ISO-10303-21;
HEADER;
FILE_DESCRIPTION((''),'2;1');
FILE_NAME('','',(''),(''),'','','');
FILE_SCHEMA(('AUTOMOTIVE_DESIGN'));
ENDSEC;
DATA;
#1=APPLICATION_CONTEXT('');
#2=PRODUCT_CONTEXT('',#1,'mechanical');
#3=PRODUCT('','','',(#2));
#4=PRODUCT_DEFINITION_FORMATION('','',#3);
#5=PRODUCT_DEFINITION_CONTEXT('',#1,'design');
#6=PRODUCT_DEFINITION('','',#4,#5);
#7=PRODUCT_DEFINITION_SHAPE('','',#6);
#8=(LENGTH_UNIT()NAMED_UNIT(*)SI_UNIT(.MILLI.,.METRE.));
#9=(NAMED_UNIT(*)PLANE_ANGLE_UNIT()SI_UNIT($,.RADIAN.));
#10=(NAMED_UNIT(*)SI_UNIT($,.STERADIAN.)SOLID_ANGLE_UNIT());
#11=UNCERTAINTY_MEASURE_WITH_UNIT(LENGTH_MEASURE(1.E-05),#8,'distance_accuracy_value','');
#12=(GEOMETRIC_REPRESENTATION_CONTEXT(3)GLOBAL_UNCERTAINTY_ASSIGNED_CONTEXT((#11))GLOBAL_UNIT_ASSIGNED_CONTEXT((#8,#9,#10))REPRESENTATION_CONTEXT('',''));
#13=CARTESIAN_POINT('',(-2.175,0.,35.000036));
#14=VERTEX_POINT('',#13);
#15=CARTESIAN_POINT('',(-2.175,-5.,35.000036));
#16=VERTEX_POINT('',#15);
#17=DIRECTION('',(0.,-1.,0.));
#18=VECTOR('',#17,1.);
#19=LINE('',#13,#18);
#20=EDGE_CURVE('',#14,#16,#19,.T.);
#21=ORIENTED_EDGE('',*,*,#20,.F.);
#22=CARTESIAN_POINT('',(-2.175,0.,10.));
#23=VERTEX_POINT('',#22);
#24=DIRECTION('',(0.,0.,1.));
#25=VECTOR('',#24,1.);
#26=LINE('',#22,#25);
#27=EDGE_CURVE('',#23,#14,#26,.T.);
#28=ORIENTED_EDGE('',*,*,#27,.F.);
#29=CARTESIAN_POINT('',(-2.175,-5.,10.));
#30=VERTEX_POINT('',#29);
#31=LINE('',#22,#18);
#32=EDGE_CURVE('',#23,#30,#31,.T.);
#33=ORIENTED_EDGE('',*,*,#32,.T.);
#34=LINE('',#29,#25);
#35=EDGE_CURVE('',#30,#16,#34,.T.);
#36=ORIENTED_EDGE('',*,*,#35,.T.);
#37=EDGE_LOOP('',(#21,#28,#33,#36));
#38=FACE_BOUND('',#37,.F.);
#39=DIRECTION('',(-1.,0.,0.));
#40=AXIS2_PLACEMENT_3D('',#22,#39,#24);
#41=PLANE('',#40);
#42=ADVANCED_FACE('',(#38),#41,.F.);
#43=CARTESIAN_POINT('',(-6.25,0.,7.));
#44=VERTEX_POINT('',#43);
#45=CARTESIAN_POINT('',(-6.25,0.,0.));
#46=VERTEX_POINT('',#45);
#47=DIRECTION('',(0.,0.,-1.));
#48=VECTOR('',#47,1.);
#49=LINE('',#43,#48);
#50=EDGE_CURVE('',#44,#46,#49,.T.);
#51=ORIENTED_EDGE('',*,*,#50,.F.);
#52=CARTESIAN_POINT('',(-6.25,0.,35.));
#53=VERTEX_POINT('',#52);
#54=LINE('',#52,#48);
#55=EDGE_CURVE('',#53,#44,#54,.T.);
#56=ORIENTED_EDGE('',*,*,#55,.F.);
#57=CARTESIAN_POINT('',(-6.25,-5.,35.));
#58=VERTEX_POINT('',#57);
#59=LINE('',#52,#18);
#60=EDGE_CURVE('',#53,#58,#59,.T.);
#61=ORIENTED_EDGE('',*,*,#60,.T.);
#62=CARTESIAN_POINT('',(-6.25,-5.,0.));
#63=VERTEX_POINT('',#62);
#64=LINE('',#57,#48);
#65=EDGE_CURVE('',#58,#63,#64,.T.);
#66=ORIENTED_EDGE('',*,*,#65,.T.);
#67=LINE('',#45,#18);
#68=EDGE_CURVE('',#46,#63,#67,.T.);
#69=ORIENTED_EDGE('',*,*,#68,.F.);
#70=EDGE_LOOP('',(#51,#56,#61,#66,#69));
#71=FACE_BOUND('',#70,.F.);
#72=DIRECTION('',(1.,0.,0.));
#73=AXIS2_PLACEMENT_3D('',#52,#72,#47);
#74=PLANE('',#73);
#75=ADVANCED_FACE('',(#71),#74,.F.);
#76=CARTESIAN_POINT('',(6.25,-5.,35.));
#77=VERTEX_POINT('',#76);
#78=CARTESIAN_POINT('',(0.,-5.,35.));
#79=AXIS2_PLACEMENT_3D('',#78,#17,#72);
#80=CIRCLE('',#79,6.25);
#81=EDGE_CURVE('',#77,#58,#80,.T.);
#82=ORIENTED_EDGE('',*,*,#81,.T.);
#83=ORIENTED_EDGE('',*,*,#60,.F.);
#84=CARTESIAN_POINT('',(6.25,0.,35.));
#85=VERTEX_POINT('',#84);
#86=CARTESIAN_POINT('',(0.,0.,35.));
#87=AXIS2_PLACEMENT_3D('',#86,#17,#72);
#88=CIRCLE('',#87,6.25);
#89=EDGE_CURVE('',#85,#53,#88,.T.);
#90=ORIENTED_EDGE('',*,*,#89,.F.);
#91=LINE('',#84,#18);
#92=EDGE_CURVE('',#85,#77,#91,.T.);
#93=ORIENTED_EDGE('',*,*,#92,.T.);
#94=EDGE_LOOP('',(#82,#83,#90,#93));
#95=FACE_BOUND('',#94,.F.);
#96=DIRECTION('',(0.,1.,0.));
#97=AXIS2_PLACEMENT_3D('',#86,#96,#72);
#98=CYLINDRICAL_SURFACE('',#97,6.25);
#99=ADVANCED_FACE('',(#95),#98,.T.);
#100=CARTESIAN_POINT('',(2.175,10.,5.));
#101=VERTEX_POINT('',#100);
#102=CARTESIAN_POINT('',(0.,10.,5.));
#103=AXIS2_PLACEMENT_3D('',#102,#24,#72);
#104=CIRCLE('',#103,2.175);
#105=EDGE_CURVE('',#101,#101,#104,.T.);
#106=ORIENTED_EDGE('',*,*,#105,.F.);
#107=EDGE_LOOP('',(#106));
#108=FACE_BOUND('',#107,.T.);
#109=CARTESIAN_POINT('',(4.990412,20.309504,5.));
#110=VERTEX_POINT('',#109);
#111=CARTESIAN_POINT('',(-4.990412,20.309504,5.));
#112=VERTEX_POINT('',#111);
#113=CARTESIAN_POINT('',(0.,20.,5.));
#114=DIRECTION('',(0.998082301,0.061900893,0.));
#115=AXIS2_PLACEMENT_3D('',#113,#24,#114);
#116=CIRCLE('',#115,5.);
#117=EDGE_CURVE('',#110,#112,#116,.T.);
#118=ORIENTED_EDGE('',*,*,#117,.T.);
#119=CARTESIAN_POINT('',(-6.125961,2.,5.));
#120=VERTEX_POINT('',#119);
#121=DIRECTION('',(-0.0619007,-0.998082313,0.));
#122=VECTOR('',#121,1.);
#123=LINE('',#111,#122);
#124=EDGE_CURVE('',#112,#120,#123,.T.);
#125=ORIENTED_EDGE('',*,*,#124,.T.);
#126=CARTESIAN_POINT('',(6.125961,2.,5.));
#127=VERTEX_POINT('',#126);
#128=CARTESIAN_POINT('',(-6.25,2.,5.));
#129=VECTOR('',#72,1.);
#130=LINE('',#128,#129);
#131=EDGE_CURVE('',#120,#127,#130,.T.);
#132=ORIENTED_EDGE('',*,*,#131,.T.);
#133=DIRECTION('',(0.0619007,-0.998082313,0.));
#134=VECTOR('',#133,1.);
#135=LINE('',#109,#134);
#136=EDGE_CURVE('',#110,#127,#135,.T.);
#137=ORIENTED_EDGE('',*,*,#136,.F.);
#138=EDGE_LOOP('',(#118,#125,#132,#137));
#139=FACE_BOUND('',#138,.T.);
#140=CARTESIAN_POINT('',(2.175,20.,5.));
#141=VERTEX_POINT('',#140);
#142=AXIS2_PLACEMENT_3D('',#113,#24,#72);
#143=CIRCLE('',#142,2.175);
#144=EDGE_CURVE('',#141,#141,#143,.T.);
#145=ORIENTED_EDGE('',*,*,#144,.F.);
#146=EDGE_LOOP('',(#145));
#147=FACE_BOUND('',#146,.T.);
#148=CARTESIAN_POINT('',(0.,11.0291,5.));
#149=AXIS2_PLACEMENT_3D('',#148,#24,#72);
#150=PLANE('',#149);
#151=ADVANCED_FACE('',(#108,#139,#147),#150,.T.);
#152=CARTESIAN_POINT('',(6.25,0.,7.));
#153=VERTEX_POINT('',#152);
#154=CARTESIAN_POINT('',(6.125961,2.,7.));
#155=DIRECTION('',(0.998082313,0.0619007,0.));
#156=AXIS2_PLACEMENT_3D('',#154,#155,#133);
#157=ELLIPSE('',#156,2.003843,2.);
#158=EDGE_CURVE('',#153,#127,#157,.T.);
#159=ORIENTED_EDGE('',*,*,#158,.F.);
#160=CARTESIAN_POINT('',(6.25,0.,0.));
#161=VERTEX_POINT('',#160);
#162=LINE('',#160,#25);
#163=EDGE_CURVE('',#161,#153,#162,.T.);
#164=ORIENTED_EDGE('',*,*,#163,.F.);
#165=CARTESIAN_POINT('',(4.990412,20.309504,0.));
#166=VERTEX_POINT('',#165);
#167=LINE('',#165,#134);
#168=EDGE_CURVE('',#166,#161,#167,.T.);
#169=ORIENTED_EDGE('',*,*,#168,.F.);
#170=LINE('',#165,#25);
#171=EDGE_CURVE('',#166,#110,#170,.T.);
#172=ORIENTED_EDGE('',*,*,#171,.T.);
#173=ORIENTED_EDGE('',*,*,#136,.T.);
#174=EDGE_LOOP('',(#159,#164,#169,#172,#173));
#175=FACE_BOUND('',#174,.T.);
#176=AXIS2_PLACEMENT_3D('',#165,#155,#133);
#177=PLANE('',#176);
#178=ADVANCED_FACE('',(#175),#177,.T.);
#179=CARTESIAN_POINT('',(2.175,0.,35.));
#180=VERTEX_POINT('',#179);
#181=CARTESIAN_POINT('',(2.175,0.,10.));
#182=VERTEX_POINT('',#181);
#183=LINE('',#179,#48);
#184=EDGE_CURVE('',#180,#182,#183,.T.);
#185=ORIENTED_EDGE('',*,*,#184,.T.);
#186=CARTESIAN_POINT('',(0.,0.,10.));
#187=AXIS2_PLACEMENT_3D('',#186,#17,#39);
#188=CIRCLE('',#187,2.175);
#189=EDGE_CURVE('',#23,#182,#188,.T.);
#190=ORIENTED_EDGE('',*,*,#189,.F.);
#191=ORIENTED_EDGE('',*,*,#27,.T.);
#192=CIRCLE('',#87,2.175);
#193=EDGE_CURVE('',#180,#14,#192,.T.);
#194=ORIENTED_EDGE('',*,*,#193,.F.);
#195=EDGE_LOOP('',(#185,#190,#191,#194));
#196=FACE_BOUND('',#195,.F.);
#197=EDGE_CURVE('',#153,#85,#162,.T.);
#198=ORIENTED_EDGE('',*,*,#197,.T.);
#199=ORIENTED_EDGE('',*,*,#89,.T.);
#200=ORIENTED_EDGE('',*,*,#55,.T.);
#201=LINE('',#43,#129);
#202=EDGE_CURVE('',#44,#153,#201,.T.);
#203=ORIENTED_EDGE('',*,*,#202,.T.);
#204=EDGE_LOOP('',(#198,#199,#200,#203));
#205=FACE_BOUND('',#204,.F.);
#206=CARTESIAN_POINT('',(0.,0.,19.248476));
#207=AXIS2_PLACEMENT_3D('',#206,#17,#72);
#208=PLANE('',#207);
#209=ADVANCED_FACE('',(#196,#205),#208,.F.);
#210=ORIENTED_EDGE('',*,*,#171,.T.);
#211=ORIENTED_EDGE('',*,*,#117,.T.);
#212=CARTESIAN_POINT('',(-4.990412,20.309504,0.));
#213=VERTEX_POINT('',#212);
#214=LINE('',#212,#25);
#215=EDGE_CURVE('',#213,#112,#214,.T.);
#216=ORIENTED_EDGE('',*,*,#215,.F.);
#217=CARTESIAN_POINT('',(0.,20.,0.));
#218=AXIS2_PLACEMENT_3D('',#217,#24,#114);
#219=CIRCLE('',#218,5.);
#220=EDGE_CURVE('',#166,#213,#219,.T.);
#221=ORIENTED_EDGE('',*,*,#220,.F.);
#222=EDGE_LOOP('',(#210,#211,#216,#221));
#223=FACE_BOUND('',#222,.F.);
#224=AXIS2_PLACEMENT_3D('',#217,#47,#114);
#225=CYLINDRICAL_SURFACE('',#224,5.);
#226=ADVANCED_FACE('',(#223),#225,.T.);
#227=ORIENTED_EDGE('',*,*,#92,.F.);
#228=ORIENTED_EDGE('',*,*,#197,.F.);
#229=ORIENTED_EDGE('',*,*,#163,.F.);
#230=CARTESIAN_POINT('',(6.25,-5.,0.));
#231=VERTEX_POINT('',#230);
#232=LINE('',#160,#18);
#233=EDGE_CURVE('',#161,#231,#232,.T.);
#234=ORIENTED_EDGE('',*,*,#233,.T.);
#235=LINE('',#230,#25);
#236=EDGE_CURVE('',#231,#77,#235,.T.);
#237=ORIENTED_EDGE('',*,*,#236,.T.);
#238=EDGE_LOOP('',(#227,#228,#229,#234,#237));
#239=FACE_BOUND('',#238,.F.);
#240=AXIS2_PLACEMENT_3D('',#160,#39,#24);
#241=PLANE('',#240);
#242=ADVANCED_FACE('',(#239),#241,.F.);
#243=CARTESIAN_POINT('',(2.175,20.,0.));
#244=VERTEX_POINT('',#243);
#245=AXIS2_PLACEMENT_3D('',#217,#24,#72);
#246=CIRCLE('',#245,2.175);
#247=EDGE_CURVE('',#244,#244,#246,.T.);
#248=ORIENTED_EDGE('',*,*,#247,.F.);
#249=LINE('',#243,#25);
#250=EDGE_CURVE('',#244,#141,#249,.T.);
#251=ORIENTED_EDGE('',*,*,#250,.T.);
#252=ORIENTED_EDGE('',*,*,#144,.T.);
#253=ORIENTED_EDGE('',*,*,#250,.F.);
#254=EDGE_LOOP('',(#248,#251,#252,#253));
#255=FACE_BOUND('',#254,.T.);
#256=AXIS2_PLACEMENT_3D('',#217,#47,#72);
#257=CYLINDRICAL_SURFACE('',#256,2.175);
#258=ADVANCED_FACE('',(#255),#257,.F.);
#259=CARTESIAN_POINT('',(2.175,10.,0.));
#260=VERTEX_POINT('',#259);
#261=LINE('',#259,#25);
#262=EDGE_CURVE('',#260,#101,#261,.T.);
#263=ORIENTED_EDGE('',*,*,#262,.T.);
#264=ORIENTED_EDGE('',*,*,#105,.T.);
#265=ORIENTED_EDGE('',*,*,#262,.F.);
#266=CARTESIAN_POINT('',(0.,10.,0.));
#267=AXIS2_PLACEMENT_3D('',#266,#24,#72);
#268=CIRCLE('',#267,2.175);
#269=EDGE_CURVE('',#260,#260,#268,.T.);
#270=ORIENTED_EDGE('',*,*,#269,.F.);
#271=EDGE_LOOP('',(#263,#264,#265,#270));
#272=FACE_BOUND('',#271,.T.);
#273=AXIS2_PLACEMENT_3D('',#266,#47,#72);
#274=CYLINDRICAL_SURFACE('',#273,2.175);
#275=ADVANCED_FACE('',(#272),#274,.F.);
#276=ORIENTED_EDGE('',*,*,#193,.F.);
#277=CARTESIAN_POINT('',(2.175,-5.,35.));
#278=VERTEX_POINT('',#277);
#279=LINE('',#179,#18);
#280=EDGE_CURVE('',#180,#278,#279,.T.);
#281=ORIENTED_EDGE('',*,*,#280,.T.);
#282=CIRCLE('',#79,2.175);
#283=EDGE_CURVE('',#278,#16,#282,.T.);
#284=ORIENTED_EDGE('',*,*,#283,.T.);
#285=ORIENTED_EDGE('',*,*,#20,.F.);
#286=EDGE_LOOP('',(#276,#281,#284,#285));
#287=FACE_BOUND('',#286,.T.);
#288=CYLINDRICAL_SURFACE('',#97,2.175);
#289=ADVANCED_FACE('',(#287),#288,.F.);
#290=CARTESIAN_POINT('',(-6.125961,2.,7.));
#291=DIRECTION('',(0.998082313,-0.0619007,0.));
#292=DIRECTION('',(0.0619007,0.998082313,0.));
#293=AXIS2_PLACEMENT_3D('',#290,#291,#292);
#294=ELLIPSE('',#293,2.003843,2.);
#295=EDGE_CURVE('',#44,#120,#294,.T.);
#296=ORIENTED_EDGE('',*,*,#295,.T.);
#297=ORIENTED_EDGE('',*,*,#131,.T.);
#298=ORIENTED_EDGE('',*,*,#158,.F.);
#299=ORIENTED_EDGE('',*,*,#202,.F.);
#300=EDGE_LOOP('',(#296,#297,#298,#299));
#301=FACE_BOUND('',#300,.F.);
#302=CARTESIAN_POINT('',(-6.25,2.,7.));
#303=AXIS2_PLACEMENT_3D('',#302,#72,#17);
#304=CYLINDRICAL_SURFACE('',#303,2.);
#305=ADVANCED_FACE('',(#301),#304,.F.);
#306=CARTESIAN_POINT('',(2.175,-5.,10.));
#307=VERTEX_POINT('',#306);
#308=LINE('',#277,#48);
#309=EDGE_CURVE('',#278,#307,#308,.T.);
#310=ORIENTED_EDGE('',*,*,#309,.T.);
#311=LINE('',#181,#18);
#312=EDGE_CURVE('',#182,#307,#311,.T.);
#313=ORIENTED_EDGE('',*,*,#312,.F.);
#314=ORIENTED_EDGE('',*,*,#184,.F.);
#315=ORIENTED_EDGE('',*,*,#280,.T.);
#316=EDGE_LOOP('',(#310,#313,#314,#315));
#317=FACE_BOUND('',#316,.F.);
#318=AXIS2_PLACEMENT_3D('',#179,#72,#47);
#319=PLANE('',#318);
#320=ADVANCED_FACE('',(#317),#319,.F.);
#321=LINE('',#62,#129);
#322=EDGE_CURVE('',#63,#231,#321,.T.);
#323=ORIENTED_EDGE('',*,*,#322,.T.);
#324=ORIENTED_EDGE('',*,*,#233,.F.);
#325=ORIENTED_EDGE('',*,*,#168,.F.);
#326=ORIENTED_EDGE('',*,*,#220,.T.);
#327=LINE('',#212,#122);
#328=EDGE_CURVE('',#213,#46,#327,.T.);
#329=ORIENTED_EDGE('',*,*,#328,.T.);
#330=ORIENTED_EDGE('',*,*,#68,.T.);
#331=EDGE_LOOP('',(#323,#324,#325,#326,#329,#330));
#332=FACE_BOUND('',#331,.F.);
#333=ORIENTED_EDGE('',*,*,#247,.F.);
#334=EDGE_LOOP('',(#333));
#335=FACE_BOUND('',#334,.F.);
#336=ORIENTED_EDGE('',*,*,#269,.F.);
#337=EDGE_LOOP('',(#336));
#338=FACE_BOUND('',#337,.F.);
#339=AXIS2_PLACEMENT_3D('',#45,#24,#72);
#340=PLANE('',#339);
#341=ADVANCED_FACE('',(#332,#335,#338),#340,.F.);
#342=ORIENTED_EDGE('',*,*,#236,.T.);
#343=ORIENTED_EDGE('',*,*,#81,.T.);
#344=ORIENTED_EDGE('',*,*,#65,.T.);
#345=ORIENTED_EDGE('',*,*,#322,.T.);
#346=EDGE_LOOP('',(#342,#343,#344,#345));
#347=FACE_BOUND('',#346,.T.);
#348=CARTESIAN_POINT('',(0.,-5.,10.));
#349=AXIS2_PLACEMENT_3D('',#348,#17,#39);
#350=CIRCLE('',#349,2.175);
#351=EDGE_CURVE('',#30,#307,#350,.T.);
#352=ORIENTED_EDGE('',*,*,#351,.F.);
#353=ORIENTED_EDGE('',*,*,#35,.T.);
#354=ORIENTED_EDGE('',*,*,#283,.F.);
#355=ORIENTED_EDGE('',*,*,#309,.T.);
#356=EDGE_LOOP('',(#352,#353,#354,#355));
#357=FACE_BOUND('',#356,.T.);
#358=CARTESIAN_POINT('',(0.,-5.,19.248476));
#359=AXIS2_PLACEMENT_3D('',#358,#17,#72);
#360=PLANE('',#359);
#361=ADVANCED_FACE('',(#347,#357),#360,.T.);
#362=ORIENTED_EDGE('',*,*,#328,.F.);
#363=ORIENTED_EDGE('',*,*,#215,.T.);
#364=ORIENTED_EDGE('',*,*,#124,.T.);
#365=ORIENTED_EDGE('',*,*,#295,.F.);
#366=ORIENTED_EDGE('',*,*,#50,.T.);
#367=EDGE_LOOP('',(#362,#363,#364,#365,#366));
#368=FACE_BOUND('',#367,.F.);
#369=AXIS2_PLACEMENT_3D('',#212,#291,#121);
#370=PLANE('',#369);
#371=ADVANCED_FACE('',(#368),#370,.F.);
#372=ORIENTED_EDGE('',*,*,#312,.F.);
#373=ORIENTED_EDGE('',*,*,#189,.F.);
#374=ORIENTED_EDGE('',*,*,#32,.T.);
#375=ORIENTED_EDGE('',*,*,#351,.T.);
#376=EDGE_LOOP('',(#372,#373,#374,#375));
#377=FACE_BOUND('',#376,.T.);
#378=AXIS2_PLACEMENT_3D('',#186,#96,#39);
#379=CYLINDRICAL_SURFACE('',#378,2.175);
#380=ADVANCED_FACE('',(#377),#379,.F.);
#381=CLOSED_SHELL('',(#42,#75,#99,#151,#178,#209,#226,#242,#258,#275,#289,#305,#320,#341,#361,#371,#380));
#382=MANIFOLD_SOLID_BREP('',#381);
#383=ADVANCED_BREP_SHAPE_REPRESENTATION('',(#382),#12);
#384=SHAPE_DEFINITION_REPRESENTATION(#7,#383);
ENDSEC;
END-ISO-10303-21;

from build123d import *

# Parameters (mm, degrees)
SKETCH_R     = 2.175
PAD_DEPTH    = 5
PAD001_DEPTH = 5
FILLET_R     = 2


with BuildPart() as part:
    # Sketch → Pad (new body)
    with BuildSketch(Plane.XY):
        with BuildLine():
            Line((-6.25, 0), (6.25, 0))
            Line((4.990412, 20.309504), (6.25, 0))
            ThreePointArc((4.990412, 20.309504), (0, 25), (-4.990412, 20.309504))
            Line((-4.990412, 20.309504), (-6.25, 0))
        make_face()
        with Locations((0, 20)):
            Circle(SKETCH_R, mode=Mode.SUBTRACT)
        with Locations((0, 10)):
            Circle(SKETCH_R, mode=Mode.SUBTRACT)
    extrude(amount=PAD_DEPTH)

    # Sketch001 (on Face3 of Pad) → Pad001 (join)
    with BuildSketch(Plane.XZ):
        with BuildLine():
            Line((6.25, 5), (6.25, 35))
            ThreePointArc((6.25, 35), (0, 41.25), (-6.25, 35))
            Line((-6.25, 5), (-6.25, 35))
            Line((-6.25, 5), (-6.25, 0))
            Line((-6.25, 0), (6.25, 0))
            Line((6.25, 0), (6.25, 5))
        make_face()
        with BuildLine():
            ThreePointArc((2.175, 35), (1.8e-05, 37.175), (-2.175, 35.000036))
            Line((-2.175, 10), (-2.175, 35.000036))
            ThreePointArc((-2.175, 10), (0, 7.825), (2.175, 10))
            Line((2.175, 35), (2.175, 10))
        make_face(mode=Mode.SUBTRACT)
    extrude(amount=PAD001_DEPTH)

    # Fillet
    fillet_edges = [part.edges().sort_by_distance(p)[0] for p in [
        (0, 0, 5),
    ]]
    fillet(fillet_edges, radius=FILLET_R)


solid = part.part
